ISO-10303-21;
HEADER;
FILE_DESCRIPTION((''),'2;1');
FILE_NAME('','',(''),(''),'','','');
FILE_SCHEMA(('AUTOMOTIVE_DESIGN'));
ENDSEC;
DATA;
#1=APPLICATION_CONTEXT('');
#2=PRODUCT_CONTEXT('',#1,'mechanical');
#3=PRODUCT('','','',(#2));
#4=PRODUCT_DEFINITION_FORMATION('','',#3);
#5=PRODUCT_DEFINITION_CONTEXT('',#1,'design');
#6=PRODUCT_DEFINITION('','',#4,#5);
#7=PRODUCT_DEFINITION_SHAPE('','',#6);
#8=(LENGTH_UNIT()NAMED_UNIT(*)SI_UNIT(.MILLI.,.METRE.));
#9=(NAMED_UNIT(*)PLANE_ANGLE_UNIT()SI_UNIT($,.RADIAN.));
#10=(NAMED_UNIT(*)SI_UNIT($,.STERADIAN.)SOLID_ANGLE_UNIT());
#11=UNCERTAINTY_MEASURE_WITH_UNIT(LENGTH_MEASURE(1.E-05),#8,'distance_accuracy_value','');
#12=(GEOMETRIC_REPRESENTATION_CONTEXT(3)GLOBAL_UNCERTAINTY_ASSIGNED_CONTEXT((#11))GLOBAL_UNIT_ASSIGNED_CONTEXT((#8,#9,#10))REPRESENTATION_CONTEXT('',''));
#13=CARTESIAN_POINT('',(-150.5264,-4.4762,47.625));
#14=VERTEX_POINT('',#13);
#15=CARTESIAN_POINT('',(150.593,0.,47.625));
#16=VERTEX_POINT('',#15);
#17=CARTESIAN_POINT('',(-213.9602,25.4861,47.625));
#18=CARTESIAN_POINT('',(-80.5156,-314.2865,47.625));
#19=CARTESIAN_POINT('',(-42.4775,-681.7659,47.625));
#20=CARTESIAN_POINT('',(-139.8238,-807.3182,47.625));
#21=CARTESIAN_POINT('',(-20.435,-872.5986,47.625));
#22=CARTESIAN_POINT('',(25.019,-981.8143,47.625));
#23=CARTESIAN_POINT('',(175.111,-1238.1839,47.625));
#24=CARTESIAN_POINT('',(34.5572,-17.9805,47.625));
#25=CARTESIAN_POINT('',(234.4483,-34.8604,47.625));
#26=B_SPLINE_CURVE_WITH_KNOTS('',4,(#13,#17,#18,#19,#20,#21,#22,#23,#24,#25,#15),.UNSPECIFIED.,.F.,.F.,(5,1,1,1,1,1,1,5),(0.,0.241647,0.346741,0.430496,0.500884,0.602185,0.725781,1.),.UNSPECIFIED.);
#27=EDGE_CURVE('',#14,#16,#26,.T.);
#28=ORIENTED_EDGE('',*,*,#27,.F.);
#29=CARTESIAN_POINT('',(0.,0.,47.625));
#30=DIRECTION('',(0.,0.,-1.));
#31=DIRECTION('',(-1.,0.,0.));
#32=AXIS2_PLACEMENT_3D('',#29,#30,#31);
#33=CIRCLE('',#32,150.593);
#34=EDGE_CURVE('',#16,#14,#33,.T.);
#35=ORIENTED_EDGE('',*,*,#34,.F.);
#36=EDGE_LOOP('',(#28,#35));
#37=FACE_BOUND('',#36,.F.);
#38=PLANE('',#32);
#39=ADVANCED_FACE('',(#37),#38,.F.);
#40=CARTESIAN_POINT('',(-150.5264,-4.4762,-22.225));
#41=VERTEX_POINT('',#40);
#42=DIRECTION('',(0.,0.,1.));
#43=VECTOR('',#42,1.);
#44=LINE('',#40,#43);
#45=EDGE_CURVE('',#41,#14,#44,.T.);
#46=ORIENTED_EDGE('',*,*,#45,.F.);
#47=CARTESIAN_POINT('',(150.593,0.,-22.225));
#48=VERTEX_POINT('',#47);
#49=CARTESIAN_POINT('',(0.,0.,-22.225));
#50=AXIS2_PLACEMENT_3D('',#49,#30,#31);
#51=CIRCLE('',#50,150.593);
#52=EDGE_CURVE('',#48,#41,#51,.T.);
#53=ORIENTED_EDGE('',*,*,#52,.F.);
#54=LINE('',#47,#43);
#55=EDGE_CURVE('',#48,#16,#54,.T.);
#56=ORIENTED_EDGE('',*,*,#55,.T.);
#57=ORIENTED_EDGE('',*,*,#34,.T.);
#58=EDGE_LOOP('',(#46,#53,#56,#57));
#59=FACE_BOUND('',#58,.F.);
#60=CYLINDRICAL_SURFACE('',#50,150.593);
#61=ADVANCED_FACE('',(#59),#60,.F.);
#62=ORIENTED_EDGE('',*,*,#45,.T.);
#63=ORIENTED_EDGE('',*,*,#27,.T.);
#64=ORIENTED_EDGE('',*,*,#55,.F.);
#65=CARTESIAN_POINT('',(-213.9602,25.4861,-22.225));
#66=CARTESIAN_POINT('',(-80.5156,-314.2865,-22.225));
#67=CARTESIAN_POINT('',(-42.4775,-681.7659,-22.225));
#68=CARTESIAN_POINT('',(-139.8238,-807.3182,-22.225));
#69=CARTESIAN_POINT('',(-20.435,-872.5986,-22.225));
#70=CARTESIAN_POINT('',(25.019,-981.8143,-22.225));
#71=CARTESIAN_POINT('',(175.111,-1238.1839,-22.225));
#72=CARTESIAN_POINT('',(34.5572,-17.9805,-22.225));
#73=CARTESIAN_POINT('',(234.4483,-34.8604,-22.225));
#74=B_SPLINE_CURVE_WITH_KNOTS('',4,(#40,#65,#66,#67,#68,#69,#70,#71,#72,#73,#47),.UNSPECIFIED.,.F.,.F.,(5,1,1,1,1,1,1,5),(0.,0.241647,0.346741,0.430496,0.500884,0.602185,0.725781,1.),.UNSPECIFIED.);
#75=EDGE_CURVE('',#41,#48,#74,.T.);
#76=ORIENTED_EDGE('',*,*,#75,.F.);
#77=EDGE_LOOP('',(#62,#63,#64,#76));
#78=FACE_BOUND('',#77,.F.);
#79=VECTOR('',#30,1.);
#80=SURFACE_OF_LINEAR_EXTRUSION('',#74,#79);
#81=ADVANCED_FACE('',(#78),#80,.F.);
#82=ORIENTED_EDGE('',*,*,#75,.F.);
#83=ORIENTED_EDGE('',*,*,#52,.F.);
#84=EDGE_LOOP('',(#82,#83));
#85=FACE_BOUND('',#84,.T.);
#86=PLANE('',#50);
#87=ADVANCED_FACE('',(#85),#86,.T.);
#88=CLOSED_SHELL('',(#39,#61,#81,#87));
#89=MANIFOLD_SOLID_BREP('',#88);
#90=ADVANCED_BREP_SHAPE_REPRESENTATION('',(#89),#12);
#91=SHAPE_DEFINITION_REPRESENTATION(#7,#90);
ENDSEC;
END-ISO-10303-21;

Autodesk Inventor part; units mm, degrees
ref_plane "YZ Plane" through (0, 0, 0) normal (1, 0, 0) x (0, 1, 0)
ref_plane "XZ Plane" through (0, 0, 0) normal (0, 1, 0) x (-1, 0, 0)
ref_plane "XY Plane" through (0, 0, 0) normal (0, 0, 1) x (1, 0, 0)
ref_plane "Work Plane1" through (0, 0, -22.225) normal (0, 0, -1) x (-1, 0, 0)
sketch "Sketch1" plane through (0, 0, -22.225) normal (0, 0, -1) x (-1, 0, 0)
  circle A0 centre (0, 0) radius 150.593
  spline S0 degree 4 poles (150.5264, -4.4762) (213.9602, 25.4861) (80.5156, -314.2865) (42.4775, -681.7659) (139.8238, -807.3182) (20.435, -872.5986) (-25.019, -981.8143) (-175.111, -1238.1839) (-34.5572, -17.9805) (-234.4483, -34.8604) (-150.593, 0) knots 0 0 0 0 0 0.241647 0.346741 0.430496 0.500884 0.602185 0.725781 1 1 1 1 1
  point P0 (170.3977, -23.7077)
  point P1 (83.4122, -476.7037)
  point P2 (99.1023, -747.7959)
  point P3 (99.1025, -812.4322)
  point P4 (43.0812, -871.0509)
  point P5 (-17.4153, -958.4347)
  point P6 (-70.261, -1031.201)
  point P7 (-111.5208, -446.1599)
  point P8 (-175.9798, -23.7077)
extrude "Extrusion1" add sketch "Sketch1" against normal blind 69.85 contours A0 S0
